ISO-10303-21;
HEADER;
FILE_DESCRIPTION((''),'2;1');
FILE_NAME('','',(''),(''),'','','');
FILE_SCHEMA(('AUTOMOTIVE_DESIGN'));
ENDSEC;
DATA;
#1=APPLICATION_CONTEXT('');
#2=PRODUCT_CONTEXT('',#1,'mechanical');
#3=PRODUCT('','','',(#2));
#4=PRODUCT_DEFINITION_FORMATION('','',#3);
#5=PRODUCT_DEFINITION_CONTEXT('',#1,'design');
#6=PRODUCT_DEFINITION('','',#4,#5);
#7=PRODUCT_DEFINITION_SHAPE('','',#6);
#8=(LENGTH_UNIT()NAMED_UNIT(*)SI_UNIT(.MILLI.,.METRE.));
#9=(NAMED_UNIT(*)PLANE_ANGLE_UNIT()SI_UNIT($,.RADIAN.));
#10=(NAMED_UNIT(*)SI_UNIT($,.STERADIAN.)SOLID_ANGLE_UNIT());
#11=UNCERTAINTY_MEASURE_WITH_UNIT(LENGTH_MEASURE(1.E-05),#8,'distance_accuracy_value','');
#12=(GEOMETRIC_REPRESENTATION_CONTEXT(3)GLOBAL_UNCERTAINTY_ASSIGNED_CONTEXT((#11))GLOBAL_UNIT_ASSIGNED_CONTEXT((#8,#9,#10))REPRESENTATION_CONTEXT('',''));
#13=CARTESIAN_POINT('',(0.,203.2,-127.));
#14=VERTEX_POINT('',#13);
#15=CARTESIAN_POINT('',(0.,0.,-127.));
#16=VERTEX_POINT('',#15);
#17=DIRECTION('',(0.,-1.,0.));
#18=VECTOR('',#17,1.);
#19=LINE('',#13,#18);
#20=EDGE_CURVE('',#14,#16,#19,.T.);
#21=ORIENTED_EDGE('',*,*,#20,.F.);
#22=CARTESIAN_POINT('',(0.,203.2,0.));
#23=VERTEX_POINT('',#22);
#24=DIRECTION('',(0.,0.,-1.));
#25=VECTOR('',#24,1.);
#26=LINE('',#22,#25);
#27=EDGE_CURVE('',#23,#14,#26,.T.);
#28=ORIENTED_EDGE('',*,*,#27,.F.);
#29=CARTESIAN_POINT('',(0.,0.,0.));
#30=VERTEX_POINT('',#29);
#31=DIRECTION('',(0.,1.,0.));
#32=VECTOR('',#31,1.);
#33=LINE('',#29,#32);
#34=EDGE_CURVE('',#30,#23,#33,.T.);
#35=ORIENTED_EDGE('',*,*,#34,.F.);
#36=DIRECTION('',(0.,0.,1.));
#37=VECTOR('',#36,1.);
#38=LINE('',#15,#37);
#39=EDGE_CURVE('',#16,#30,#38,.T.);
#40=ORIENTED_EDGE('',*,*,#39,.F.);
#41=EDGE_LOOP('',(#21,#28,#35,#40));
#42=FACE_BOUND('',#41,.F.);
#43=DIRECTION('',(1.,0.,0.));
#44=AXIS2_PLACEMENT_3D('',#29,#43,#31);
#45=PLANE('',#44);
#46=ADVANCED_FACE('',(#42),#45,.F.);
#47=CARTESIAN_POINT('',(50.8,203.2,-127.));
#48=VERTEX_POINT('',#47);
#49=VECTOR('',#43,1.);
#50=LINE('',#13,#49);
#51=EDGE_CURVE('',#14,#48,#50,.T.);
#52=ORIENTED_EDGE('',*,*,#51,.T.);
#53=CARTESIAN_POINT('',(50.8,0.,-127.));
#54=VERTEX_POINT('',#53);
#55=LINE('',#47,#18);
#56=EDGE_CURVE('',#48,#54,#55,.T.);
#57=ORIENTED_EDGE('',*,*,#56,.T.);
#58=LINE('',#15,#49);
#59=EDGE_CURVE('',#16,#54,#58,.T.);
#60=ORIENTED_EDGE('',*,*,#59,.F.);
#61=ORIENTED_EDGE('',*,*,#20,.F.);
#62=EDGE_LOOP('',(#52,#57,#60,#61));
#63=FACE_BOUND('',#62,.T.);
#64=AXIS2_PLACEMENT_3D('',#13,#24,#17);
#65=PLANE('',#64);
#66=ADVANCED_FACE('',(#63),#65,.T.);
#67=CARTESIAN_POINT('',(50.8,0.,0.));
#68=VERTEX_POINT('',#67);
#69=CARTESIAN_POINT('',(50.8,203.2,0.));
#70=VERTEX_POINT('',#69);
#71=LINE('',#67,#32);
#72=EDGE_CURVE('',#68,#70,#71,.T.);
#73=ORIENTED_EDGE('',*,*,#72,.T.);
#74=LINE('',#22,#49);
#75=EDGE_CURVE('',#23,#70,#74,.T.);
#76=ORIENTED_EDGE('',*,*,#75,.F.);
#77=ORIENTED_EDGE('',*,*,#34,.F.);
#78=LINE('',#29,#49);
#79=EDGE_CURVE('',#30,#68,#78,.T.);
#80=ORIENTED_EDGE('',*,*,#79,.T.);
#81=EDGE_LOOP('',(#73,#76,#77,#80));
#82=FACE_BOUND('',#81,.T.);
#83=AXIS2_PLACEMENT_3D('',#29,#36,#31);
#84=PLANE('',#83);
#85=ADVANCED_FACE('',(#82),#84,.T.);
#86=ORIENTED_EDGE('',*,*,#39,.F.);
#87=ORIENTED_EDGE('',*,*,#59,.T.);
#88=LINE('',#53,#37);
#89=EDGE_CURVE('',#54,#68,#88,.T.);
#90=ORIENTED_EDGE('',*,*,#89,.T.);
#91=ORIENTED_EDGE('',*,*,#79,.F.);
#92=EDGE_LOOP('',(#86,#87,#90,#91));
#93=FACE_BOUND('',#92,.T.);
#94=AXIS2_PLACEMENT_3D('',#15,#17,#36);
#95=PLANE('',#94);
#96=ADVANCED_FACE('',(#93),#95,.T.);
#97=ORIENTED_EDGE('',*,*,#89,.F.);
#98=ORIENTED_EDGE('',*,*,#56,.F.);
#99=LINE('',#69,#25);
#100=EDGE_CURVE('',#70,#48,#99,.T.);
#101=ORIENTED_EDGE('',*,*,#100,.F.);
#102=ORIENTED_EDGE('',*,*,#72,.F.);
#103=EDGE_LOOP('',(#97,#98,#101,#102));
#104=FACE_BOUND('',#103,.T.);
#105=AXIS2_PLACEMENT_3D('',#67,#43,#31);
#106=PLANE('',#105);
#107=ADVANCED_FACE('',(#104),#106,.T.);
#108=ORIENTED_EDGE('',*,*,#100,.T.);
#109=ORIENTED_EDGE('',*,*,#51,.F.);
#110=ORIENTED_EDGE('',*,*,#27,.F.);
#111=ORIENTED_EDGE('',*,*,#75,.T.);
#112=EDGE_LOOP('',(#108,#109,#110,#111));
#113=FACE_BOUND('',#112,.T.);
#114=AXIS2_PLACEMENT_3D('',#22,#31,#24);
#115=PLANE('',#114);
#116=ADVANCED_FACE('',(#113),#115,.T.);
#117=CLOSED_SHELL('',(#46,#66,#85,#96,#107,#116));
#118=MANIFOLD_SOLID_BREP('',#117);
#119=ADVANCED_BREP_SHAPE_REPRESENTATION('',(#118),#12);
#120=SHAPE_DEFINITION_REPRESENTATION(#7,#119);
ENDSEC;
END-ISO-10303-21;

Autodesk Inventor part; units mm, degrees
ref_plane "YZ Plane" through (0, 0, 0) normal (1, 0, 0) x (0, 1, 0)
ref_plane "XZ Plane" through (0, 0, 0) normal (0, 1, 0) x (-1, 0, 0)
ref_plane "XY Plane" through (0, 0, 0) normal (0, 0, 1) x (1, 0, 0)
sketch "Sketch1" plane through (0, 0, 0) normal (1, 0, 0) x (0, 1, 0)
  line L0 (0, 0) -> (203.2, 0)
  line L1 (203.2, 0) -> (203.2, -127)
  line L2 (203.2, -127) -> (0, -127)
  line L3 (0, -127) -> (0, 0)
  dimension "d0" = 127
  dimension "d1" = 203.2
extrude "Extrusion1" add sketch "Sketch1" along normal blind 50.8
properties part number "AnchorPlaceholder-ver1-1111-2021"
